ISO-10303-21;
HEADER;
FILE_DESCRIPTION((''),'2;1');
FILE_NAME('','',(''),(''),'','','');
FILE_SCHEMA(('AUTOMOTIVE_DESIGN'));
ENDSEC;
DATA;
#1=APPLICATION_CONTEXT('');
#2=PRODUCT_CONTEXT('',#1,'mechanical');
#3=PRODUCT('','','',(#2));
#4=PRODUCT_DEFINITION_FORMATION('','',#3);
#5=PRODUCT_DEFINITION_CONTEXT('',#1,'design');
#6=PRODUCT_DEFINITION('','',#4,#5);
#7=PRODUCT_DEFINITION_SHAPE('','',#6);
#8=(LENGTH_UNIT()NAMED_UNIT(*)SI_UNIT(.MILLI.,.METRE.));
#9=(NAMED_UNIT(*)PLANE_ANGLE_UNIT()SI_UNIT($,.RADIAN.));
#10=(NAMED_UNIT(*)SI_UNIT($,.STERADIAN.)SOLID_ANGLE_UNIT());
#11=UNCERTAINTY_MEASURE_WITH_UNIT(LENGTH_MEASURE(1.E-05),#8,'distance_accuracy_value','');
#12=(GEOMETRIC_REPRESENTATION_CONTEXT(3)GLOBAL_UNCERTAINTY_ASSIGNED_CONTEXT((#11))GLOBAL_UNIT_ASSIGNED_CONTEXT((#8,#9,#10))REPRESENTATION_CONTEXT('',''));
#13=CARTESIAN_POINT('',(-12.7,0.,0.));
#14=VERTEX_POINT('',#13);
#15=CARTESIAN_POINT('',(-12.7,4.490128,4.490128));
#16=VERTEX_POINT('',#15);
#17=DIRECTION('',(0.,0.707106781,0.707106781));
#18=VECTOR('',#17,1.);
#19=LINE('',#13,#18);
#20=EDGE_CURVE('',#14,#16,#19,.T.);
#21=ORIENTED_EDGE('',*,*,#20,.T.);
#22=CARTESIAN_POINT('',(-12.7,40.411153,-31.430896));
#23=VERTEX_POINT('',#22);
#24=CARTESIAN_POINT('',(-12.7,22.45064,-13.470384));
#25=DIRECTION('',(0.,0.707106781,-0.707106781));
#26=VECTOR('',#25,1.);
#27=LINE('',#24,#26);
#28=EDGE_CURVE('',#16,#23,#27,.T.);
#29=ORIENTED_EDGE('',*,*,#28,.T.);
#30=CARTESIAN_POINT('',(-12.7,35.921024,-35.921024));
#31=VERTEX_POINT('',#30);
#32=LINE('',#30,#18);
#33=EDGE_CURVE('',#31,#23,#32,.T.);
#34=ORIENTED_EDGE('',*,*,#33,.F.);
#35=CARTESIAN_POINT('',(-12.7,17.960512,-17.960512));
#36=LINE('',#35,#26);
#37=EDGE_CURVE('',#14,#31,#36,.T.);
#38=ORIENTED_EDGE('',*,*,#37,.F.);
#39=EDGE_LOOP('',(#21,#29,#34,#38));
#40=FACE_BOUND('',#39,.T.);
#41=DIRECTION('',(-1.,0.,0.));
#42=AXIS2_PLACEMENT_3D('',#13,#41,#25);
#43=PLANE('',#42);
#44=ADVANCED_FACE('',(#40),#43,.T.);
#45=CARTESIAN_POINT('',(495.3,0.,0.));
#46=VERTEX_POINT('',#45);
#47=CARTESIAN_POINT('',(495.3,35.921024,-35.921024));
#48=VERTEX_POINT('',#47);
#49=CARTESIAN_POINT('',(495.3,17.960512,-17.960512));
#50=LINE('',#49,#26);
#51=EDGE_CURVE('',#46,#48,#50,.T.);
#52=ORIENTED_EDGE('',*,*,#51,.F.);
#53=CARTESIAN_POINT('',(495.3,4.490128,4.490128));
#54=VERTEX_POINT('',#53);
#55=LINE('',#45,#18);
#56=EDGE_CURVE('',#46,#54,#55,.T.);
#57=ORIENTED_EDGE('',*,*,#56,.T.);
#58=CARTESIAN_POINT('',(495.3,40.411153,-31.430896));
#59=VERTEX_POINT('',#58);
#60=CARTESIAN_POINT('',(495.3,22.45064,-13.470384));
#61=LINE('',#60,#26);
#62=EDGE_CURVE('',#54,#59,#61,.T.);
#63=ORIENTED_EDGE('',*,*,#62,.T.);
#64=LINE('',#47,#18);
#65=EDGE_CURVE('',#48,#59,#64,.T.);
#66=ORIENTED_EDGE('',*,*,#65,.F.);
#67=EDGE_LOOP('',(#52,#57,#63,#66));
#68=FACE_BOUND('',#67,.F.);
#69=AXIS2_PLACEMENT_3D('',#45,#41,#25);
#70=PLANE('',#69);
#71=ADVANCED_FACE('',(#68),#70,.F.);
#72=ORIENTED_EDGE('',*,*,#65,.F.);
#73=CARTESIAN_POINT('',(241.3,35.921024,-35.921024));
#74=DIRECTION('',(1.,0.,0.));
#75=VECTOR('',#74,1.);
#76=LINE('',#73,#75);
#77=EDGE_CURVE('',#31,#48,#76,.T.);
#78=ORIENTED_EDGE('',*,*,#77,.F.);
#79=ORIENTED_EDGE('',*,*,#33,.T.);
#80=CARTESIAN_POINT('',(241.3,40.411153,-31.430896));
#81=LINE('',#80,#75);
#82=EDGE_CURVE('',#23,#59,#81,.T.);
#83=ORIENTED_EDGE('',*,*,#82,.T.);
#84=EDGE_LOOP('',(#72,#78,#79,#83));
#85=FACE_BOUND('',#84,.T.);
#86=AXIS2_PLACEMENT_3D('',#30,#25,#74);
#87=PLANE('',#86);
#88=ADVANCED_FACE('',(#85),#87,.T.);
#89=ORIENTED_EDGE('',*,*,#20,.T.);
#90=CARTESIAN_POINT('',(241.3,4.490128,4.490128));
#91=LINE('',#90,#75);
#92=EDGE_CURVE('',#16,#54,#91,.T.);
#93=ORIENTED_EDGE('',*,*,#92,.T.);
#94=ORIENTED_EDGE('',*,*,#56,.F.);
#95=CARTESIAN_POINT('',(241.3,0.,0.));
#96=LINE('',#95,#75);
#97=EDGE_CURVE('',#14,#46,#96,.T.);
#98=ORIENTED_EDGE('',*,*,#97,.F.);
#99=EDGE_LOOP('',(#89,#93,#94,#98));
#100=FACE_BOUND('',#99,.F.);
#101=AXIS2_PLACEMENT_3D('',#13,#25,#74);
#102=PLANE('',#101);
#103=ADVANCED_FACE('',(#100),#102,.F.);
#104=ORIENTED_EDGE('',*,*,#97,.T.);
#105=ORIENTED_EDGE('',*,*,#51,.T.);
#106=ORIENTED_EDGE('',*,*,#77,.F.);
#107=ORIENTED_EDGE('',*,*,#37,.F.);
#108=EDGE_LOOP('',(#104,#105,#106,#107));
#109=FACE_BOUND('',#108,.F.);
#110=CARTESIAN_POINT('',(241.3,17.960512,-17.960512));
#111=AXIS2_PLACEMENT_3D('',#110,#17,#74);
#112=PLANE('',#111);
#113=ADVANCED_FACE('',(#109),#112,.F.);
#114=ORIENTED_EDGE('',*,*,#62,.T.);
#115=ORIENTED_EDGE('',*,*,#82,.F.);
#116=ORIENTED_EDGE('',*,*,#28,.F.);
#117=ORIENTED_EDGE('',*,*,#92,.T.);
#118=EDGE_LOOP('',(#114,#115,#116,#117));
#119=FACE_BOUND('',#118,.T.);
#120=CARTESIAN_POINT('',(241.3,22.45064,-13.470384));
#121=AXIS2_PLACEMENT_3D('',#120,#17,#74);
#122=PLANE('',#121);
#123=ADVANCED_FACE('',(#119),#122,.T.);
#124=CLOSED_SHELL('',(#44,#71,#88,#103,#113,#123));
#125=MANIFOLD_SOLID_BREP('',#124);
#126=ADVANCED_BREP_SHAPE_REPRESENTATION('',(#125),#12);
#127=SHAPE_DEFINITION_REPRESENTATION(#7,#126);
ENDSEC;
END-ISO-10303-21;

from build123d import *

# Parameters (mm, degrees)
BOX_W          = 508
BOX_H          = 50.8
BOX_DEPTH      = 6.35
BOX_ROLL_ANGLE = -45


with BuildPart() as part:
    # Box → Box (new body)
    with BuildSketch(Plane.XY):
        with Locations((254, 25.4)):
            Rectangle(BOX_W, BOX_H)
    extrude(amount=BOX_DEPTH)


with BuildPart() as part_1:
    # Box roll: moved
    add(part.part.rotate(Axis((0, 0, 0), (1, 0, 0)), BOX_ROLL_ANGLE))


with BuildPart() as part_2:
    # Box placement: moved
    add(part_1.part.moved(Location((-12.7, 0, 0))))


solid = part_2.part
